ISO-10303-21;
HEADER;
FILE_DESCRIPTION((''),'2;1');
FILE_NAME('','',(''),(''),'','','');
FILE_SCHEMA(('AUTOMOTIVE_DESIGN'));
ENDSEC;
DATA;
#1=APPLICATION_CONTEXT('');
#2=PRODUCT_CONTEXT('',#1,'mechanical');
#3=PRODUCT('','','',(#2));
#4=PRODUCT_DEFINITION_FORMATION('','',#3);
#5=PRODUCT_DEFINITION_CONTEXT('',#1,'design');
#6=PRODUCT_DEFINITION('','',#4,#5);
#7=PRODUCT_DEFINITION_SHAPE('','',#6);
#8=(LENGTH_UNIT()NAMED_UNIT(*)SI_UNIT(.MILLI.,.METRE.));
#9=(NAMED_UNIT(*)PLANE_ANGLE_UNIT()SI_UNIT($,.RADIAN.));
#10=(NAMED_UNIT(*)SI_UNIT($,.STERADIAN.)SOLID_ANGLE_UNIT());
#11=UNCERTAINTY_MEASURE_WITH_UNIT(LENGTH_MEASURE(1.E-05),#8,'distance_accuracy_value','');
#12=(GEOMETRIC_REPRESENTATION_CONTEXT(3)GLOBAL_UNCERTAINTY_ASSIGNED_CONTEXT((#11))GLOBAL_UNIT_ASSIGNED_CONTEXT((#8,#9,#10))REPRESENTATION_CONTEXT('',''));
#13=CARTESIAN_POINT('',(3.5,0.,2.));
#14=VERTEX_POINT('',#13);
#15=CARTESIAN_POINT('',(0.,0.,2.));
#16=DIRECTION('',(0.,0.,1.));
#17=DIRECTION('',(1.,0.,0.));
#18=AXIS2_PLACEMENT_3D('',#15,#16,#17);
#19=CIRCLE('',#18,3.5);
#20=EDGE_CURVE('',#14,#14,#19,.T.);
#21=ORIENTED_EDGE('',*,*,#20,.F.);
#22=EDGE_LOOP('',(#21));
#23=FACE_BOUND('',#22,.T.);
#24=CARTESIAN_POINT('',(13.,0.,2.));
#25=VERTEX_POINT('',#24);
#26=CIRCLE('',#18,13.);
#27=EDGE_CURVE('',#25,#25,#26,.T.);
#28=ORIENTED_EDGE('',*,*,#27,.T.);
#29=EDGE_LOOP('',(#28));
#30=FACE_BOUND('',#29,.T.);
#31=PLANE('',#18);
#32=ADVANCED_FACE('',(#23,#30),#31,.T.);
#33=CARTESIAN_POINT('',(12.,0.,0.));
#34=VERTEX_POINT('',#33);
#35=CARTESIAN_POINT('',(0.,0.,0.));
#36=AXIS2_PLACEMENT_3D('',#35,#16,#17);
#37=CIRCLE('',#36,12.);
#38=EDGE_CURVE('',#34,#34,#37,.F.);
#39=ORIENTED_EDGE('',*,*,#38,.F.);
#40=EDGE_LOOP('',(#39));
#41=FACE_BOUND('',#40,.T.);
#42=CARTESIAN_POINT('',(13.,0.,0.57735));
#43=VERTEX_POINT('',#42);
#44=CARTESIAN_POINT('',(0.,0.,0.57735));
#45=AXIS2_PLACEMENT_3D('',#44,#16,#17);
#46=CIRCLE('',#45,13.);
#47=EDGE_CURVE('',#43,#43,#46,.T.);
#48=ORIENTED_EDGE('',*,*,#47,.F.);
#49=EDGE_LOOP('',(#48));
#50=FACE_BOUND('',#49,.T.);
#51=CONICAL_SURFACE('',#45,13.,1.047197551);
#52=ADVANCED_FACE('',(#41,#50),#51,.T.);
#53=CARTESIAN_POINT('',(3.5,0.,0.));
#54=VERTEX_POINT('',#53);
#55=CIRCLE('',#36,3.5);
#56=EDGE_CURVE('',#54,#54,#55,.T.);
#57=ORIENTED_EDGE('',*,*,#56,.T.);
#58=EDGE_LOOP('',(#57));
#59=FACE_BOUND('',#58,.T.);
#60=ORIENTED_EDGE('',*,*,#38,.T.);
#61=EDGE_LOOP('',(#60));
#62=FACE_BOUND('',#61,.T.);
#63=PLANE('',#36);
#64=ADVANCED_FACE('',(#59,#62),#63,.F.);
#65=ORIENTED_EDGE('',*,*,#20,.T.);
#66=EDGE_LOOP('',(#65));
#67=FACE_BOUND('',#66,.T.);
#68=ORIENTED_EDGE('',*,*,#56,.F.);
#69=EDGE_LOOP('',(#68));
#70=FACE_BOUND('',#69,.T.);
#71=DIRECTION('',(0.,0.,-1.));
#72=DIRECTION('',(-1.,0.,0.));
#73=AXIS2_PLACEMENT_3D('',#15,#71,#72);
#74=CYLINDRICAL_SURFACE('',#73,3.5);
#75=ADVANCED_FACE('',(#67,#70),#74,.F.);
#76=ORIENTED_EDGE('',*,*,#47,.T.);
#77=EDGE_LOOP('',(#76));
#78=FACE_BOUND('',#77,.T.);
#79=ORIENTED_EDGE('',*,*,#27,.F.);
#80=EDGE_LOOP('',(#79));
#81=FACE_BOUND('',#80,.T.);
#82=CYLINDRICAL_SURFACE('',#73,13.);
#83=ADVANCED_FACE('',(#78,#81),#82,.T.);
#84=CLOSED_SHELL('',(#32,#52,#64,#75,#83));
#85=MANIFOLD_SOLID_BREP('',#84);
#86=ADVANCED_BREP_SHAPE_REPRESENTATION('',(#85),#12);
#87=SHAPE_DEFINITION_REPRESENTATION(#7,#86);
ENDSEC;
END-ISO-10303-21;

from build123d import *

# Parameters (mm, degrees)
SKETCH1_R           = 13
SKETCH1_R_2         = 3.5
BOSS_EXTRUDE1_DEPTH = 2
CHAMFER1_SIZE       = 1
CHAMFER1_SIZE2      = 0.577350269


with BuildPart() as part:
    # Sketch1 → Boss-Extrude1 (new body)
    with BuildSketch(Plane.XY):
        Circle(SKETCH1_R)
        Circle(SKETCH1_R_2, mode=Mode.SUBTRACT)
    extrude(amount=BOSS_EXTRUDE1_DEPTH)

    # Chamfer1
    chamfer1_edges = [part.edges().sort_by_distance(p)[0] for p in [
        (-13, 0, 0),
    ]]
    chamfer1_side = [part.faces().sort_by_distance(p)[0] for p in [
        (-12.632304474, 0, 0),
    ]]
    chamfer(chamfer1_edges, length=CHAMFER1_SIZE, length2=CHAMFER1_SIZE2, reference=chamfer1_side[0])


solid = part.part
